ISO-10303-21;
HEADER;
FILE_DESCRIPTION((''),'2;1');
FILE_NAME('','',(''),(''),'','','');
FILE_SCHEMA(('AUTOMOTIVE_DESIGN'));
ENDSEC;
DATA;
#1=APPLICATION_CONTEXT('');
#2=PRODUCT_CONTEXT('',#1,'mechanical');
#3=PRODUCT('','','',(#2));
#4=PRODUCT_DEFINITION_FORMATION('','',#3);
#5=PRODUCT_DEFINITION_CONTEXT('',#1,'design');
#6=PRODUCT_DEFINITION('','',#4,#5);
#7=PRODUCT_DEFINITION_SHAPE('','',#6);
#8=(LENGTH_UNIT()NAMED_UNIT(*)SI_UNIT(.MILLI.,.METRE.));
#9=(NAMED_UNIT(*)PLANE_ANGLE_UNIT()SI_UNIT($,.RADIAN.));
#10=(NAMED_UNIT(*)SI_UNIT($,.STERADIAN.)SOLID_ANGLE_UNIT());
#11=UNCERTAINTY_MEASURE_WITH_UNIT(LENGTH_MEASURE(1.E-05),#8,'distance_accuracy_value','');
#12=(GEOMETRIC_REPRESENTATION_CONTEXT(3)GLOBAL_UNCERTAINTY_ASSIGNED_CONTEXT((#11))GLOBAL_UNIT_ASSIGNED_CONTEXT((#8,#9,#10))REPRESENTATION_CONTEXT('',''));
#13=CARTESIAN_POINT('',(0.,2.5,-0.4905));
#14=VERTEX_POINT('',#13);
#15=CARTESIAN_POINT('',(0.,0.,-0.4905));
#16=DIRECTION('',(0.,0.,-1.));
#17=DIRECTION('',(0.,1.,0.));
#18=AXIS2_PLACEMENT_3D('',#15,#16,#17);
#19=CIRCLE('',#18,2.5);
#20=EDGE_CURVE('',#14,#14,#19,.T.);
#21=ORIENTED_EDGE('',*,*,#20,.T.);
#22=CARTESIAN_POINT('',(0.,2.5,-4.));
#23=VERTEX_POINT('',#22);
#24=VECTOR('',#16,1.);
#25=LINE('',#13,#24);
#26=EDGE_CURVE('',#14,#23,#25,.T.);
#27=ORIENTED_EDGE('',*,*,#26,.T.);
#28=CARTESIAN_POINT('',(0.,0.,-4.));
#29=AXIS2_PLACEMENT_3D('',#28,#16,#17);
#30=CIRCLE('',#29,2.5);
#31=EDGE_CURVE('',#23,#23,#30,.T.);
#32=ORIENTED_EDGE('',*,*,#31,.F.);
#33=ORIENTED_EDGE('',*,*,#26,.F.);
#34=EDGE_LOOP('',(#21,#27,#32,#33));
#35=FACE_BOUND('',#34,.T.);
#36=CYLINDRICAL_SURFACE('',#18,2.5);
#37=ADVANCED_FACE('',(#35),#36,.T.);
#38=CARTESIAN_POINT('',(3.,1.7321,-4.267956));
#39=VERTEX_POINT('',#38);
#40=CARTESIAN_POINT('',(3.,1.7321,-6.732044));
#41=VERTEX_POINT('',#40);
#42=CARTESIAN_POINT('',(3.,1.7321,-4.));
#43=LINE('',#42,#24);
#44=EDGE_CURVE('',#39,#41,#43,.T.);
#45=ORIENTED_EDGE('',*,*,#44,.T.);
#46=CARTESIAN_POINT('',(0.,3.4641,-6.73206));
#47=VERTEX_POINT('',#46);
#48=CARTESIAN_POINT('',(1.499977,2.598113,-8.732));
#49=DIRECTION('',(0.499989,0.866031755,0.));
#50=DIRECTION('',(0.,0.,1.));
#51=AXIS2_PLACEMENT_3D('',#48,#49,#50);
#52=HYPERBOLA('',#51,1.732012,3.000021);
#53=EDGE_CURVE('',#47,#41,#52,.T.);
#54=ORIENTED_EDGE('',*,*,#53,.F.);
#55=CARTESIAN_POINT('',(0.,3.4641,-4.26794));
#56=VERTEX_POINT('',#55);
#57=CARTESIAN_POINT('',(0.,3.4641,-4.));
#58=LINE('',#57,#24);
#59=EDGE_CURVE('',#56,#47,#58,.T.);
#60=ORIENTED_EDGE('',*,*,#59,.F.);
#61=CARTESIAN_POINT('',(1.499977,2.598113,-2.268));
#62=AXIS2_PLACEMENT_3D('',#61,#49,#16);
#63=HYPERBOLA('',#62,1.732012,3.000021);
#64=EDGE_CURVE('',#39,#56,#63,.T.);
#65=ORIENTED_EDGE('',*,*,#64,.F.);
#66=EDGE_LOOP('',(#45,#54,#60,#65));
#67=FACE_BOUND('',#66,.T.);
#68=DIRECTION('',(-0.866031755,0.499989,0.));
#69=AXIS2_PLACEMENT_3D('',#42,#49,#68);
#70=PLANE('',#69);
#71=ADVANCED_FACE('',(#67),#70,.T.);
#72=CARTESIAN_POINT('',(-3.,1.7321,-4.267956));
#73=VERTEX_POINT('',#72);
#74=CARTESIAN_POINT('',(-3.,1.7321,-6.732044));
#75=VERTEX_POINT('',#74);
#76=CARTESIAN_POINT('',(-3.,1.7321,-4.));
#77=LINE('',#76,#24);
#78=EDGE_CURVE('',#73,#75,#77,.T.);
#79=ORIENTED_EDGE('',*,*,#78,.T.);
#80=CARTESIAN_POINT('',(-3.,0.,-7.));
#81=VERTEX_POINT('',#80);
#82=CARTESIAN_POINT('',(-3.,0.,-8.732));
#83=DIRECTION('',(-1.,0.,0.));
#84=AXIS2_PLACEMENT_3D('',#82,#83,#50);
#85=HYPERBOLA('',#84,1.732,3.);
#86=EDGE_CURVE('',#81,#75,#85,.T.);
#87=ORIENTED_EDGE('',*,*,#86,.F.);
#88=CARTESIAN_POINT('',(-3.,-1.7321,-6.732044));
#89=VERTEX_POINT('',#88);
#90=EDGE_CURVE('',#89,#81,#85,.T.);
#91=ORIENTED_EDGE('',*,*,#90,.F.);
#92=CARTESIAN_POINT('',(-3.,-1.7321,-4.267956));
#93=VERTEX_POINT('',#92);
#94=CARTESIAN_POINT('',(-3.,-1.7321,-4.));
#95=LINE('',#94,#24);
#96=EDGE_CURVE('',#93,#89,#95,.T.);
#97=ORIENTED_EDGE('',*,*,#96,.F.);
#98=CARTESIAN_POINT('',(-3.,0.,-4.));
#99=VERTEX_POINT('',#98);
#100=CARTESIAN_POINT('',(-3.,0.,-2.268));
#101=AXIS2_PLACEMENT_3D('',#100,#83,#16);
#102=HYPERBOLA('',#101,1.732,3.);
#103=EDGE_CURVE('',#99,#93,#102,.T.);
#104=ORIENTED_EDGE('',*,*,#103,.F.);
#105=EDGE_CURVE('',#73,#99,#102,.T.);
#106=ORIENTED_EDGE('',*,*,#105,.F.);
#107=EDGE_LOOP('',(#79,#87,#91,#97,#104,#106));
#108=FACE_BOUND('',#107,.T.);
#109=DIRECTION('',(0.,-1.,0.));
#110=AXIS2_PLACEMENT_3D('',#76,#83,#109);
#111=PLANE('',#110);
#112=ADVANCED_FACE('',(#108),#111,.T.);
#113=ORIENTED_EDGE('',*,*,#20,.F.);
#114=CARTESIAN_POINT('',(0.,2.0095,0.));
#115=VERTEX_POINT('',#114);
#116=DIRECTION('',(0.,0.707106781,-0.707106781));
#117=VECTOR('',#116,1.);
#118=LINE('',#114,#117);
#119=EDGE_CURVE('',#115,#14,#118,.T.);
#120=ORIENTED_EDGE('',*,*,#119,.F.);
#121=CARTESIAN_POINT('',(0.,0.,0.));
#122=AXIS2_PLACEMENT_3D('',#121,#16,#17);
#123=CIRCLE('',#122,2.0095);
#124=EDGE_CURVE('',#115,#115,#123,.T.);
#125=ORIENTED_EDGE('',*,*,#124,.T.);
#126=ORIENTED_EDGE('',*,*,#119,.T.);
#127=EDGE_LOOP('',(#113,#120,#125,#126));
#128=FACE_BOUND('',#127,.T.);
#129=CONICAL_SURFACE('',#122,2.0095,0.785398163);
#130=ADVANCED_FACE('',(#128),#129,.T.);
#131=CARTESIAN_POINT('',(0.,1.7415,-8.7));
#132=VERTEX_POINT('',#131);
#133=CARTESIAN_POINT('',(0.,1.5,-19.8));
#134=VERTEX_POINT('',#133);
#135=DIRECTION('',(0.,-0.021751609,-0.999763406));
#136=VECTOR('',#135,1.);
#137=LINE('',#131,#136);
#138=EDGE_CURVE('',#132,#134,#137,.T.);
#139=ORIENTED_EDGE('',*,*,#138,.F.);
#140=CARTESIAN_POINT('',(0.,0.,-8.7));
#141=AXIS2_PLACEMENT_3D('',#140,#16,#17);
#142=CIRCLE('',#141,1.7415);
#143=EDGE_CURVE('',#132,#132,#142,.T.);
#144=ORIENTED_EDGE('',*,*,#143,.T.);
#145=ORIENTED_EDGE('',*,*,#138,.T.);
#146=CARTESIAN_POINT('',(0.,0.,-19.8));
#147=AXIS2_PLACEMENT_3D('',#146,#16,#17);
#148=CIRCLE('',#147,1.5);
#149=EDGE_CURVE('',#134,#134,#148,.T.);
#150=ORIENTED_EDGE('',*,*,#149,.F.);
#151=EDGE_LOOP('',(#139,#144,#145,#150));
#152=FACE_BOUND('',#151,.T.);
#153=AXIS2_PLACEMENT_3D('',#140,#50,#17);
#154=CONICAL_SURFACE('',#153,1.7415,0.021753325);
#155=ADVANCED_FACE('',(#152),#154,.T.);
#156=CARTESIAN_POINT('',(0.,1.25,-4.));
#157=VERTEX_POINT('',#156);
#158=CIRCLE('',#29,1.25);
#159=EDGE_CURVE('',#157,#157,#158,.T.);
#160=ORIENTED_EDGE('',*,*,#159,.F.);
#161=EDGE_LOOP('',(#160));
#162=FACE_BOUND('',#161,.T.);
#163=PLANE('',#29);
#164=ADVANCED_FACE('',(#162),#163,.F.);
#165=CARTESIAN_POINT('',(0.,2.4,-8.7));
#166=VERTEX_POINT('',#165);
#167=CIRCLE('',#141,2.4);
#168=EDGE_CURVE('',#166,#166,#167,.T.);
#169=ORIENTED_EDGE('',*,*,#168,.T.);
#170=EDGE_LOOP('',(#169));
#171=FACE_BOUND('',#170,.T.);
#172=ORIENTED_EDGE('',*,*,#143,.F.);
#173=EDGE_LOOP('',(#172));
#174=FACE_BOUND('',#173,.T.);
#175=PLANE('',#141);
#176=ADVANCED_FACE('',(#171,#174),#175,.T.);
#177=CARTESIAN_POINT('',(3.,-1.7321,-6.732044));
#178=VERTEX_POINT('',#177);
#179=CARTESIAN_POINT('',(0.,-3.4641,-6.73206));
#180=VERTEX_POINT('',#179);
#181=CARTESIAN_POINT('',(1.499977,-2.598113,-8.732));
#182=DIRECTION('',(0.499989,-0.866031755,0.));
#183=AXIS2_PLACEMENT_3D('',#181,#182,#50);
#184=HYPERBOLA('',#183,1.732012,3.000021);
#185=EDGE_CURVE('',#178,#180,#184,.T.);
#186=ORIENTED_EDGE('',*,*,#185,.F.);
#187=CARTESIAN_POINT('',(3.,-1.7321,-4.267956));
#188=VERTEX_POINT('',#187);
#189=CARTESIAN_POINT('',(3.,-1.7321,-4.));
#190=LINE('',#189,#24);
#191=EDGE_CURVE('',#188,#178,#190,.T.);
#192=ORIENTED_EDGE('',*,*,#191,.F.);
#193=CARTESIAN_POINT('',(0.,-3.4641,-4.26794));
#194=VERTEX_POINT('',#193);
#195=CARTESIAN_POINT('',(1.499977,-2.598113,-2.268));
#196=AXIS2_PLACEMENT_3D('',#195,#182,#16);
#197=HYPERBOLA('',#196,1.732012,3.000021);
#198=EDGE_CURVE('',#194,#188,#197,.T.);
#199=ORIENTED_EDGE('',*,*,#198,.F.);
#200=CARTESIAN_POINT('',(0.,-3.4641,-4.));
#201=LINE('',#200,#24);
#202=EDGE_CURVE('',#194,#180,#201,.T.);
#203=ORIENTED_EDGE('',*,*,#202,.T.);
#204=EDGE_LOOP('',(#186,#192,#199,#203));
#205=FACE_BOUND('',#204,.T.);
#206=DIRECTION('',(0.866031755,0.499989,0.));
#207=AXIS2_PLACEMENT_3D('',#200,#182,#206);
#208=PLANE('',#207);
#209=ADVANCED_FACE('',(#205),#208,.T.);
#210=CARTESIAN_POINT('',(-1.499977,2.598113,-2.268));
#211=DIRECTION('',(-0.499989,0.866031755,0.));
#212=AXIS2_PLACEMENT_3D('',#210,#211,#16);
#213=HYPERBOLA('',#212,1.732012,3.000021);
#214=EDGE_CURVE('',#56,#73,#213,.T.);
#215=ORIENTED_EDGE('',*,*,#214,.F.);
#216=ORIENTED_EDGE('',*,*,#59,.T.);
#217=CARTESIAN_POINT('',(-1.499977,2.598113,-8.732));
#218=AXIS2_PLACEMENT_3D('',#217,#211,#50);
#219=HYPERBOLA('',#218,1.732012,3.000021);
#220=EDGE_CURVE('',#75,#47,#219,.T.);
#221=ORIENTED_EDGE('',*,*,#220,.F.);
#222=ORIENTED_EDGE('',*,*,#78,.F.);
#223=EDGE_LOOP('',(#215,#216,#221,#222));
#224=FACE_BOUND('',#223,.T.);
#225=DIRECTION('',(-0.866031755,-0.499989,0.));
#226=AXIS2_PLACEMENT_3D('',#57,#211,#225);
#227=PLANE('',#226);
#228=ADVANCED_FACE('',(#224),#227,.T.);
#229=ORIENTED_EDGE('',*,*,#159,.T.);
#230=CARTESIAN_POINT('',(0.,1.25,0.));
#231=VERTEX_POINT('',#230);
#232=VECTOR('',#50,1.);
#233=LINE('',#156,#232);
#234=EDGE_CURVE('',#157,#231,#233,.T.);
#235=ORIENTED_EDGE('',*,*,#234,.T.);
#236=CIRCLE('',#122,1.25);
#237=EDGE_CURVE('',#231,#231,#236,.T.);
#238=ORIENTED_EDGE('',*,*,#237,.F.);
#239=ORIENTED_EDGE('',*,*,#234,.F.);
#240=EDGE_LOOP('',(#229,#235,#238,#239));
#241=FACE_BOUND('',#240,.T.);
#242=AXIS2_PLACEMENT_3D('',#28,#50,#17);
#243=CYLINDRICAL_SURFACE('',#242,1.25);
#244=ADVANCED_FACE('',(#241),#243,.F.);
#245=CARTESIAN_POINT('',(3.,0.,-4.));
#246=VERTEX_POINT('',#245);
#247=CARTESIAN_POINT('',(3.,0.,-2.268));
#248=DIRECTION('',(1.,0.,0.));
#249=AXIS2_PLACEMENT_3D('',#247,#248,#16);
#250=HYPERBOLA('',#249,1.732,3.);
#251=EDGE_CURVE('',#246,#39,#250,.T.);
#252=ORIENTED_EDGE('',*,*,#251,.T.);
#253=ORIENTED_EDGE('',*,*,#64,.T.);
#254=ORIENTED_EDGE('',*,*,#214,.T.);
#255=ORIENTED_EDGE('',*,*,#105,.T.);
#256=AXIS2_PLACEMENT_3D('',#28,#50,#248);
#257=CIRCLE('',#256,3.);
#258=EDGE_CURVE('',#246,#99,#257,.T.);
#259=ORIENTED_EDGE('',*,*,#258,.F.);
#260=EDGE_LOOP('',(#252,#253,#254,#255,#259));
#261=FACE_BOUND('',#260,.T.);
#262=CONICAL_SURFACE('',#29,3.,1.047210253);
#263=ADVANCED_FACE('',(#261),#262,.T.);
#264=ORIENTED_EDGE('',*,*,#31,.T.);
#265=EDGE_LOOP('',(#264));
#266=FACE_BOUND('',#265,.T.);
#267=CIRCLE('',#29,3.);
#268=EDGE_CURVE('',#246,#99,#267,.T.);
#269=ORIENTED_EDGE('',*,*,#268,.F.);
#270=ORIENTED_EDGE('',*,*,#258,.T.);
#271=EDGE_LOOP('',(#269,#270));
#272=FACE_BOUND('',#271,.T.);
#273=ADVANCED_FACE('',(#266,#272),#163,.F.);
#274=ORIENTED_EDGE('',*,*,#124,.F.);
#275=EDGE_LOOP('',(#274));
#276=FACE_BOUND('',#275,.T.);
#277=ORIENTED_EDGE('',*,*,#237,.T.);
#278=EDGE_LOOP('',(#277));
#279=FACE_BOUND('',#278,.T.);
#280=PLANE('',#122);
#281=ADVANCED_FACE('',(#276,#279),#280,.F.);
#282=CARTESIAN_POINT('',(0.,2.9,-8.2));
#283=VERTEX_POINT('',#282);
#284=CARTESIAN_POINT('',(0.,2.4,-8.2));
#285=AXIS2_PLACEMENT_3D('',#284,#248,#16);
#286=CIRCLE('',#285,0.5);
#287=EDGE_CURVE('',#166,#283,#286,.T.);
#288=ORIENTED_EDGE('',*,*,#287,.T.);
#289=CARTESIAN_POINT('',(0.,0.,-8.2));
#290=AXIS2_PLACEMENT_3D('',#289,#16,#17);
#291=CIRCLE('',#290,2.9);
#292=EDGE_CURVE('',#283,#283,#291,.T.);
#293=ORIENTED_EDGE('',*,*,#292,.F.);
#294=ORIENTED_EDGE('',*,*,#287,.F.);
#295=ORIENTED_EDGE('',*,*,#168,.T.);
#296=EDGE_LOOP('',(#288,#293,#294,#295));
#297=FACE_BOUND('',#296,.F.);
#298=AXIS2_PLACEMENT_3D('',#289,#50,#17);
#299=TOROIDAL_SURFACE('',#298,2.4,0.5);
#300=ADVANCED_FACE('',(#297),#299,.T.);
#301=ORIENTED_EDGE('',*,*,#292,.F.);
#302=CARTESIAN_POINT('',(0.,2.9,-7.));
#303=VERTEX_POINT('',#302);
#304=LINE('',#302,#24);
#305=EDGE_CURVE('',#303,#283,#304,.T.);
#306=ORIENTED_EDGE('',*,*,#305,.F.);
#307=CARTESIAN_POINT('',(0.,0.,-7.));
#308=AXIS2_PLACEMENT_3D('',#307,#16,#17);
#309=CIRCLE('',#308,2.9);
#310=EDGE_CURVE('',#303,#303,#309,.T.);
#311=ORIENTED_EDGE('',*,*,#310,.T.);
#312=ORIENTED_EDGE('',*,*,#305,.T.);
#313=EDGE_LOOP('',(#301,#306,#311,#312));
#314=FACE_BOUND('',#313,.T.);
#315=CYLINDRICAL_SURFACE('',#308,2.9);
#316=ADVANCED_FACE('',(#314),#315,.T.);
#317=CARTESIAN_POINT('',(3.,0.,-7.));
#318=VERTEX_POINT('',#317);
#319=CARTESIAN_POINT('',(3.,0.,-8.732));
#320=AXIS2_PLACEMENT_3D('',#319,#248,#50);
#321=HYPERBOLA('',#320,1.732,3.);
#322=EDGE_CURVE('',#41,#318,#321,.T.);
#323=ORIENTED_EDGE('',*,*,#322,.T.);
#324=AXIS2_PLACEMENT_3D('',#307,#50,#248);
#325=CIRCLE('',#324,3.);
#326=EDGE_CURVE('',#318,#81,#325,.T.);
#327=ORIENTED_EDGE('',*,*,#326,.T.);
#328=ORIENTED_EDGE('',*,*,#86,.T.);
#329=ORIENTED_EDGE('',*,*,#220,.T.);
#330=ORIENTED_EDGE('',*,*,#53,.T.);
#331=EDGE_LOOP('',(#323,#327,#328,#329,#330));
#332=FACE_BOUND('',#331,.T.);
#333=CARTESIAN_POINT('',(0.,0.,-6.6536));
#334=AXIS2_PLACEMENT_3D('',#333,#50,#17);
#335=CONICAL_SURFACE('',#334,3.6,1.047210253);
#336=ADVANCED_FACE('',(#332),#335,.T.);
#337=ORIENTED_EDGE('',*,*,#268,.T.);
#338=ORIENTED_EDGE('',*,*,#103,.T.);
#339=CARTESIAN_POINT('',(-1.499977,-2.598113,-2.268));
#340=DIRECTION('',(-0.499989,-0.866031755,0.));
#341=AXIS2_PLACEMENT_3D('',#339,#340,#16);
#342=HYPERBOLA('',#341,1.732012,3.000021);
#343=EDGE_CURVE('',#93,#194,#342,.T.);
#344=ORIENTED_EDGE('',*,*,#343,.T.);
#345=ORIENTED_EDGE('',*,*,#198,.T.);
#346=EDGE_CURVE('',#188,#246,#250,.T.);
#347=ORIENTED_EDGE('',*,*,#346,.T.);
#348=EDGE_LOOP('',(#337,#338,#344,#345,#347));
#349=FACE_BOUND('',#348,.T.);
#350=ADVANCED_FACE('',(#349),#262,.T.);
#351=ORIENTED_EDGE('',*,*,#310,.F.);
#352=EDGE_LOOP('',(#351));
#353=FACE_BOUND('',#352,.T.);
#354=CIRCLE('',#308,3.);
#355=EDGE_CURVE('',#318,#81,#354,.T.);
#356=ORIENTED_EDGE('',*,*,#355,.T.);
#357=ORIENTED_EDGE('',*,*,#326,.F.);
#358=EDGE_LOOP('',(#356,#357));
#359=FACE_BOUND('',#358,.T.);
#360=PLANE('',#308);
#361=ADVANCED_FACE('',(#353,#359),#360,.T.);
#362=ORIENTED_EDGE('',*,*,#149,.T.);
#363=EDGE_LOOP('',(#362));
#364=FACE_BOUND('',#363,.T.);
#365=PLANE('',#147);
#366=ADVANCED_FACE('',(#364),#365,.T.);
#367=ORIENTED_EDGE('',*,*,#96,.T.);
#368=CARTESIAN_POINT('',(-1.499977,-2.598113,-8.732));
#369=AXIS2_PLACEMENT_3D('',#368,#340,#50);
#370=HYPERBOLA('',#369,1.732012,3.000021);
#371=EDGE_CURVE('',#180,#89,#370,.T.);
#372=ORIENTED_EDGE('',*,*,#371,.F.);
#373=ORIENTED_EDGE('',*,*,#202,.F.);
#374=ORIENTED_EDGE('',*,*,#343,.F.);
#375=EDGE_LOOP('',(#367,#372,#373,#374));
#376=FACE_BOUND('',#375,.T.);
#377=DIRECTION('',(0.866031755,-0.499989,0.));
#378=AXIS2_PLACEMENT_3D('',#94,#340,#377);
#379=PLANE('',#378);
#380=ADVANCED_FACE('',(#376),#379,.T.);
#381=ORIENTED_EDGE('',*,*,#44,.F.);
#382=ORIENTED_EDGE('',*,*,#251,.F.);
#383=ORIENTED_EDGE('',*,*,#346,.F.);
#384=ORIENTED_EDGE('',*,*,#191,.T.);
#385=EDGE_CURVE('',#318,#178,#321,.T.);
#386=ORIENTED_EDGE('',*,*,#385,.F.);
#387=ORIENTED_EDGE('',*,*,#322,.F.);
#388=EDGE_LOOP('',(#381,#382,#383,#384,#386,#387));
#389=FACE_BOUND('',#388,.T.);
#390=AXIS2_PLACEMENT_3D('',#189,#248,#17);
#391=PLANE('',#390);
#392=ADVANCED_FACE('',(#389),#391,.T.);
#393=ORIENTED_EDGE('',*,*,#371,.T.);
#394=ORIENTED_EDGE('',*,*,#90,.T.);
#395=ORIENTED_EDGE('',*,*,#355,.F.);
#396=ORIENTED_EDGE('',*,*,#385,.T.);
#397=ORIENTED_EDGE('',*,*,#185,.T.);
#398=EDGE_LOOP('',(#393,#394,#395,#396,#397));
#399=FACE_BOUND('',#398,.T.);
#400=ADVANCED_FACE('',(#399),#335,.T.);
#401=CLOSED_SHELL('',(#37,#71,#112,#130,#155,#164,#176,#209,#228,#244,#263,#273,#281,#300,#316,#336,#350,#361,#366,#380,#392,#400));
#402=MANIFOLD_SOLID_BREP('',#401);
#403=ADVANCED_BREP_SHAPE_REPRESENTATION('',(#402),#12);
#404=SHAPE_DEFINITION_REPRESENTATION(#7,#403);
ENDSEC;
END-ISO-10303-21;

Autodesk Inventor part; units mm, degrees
sketch "Sketch_1" plane through (0, 0, 0) normal (1, 0, 0) x (0, 1, 0)
  line L0 (0, -19.8) -> (0, 0)
  line L1 (0, -4) -> (1.25, -4)
  line L2 (1.25, -4) -> (1.25, 0)
  line L3 (1.25, 0) -> (2.0095, 0)
  line L4 (2.0095, 0) -> (2.5, -0.4905)
  line L5 (2.5, -0.4905) -> (2.5, -4)
  line L6 (2.5, -4) -> (3, -4)
  line L7 (3, -4) -> (3.6, -4.3464)
  line L8 (3.6, -4.3464) -> (3.6, -6.6536)
  line L9 (3.6, -6.6536) -> (3, -7)
  line L10 (3, -7) -> (2.9, -7)
  line L11 (2.9, -7) -> (2.9, -8.2)
  arc A0 (2.4, -8.7) -> (2.9, -8.2) centre (2.4, -8.2) ccw
  line L12 (2.4, -8.7) -> (1.7415, -8.7)
  line L13 (1.7415, -8.7) -> (1.5, -19.8)
  line L14 (1.5, -19.8) -> (0, -19.8)
  line L15 (0, -19.8) -> (0, -4)
revolve "Revolution1" add sketch "Sketch_1" angle 360 about axis through (0, 0, -19.8) along (0, 0, -1)
thread "Thread1" size "M5x0.8" class "6g" standard "ISO Metric profile" full length
sketch "Sketch_2" plane through (0, 0, -4) normal (0, 0, 1) x (1, 0, 0)
  line L0 (-6, 6) -> (-6, -6)
  line L1 (-6, -6) -> (6, -6)
  line L2 (6, -6) -> (6, 6)
  line L3 (6, 6) -> (-6, 6)
  line L4 (-3, -1.7321) -> (0, -3.4641)
  line L5 (0, -3.4641) -> (3, -1.7321)
  line L6 (3, -1.7321) -> (3, 1.7321)
  line L7 (3, 1.7321) -> (0, 3.4641)
  line L8 (0, 3.4641) -> (-3, 1.7321)
  line L9 (-3, 1.7321) -> (-3, -1.7321)
extrude "Extrusion1" cut sketch "Sketch_2" against normal blind 3
ref_plane "ANBAU_XY" through (0, 0, -4) normal (0, 0, 1) x (1, 0, 0)
ref_plane "ANBAU_YZ" through (0, 0, -4) normal (1, 0, 0) x (0, 1, 0)
ref_plane "ANBAU_ZX" through (0, 0, -4) normal (0, 1, 0) x (0, 0, 1)
ref_plane "ANBAU_STD_XY" through (0, 0, -4) normal (0, 0, -1) x (1, 0, 0)
ref_plane "ANBAU_STD_YZ" through (0, 0, -4) normal (1, 0, 0) x (0, -1, 0)
ref_plane "ANBAU_STD_ZX" through (0, 0, -4) normal (0, -1, 0) x (0, 0, -1)
properties part number "1205858 AMTE-M-LH-M5"
